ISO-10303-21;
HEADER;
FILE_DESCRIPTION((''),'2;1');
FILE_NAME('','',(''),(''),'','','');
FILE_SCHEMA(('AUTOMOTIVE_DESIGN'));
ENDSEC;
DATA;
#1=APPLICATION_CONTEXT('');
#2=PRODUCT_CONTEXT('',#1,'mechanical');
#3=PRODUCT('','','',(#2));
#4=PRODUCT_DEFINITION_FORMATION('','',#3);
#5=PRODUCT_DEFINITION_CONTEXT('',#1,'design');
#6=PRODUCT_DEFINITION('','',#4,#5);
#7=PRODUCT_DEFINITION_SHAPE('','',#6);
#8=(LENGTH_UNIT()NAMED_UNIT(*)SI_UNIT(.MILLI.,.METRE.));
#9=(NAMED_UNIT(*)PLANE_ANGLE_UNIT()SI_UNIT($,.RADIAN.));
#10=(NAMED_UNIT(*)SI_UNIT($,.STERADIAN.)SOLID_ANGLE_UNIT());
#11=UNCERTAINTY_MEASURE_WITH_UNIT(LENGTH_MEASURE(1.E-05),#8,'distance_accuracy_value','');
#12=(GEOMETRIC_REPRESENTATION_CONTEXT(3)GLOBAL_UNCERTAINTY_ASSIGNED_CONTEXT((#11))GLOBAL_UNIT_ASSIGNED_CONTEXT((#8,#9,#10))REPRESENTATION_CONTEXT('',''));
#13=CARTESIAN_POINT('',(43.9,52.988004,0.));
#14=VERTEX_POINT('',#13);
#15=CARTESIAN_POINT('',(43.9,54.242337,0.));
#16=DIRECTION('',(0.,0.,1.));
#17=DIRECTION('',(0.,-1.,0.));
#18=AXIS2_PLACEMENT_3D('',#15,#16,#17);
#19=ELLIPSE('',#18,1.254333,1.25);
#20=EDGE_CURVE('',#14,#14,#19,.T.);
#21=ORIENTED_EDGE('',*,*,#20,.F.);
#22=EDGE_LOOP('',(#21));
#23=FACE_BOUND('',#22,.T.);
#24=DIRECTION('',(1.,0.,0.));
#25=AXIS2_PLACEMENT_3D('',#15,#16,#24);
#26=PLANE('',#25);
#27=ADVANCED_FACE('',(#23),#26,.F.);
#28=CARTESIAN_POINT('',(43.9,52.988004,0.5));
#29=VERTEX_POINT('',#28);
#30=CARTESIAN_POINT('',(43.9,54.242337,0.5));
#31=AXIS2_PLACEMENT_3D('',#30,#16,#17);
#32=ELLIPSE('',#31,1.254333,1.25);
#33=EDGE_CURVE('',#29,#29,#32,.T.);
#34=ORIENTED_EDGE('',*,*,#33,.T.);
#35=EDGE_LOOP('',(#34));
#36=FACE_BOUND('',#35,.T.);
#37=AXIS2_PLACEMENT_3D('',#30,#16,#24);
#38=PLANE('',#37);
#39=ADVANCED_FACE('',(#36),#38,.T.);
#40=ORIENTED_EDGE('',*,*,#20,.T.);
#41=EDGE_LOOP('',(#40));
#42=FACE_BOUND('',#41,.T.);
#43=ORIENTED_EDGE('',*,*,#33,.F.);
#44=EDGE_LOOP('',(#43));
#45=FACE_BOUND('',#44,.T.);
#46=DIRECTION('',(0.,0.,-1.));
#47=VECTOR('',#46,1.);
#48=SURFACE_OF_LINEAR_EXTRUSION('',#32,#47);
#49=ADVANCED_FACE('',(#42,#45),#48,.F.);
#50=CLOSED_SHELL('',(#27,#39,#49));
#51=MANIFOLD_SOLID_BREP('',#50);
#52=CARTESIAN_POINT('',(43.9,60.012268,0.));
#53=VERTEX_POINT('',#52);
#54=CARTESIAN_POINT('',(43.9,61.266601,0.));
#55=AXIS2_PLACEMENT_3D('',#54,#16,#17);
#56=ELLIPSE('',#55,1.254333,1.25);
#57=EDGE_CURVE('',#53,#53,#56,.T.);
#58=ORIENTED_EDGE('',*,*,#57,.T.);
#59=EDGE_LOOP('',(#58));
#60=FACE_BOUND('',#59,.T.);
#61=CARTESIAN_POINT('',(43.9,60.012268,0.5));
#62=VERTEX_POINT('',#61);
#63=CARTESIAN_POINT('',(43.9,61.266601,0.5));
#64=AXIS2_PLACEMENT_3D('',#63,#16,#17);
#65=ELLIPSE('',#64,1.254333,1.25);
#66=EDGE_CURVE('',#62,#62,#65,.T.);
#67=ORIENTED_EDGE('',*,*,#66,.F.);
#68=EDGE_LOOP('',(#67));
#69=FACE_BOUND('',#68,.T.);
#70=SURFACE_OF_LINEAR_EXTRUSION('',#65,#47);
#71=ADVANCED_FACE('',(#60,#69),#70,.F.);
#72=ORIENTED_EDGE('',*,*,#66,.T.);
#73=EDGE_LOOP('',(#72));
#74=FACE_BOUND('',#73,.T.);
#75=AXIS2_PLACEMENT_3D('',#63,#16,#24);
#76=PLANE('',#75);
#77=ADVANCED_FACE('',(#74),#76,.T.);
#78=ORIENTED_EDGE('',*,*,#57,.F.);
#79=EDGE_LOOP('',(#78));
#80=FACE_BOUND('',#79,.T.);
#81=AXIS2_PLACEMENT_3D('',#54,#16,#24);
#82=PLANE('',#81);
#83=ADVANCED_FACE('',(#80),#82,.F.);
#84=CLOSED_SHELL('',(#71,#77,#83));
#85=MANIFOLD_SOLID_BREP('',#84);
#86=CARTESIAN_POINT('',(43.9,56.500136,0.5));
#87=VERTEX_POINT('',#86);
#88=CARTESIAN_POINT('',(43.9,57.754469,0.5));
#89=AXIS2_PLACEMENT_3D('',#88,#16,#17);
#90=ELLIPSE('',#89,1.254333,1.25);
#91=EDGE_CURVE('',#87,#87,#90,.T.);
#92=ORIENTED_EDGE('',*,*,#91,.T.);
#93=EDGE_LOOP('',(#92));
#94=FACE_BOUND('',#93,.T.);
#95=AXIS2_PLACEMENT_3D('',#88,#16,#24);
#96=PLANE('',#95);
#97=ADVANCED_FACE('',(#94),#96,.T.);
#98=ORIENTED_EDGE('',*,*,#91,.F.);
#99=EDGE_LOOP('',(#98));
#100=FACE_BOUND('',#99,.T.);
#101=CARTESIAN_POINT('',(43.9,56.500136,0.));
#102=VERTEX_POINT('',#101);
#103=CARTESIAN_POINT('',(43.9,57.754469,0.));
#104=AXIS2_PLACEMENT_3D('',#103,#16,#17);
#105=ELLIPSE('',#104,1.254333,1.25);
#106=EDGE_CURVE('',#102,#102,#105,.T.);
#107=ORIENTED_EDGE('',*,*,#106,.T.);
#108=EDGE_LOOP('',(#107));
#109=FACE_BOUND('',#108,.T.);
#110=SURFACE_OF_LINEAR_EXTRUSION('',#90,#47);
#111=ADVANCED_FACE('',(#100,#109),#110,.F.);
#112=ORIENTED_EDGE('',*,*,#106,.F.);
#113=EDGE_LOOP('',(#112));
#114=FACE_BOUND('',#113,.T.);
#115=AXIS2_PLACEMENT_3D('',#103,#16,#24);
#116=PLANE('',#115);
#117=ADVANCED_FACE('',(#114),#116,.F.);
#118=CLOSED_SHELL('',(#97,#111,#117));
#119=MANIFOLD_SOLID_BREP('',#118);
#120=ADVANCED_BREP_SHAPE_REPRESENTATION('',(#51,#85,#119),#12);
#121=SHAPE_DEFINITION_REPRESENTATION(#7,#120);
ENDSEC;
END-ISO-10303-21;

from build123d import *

# Parameters (mm, degrees)
ESQUISSE1_RX         = 1.254332769
ESQUISSE1_RY         = 1.25
BOSS_EXTRU_1_DEPTH   = 0.5
BOSS_EXTRU_1_2_DEPTH = 0.5
BOSS_EXTRU_1_3_DEPTH = 0.5


with BuildPart() as part:
    # Esquisse1 → Boss.-Extru.1 (new body)
    with BuildSketch(Plane.XY):
        with Locations(Location((43.9, 54.242337162), (0, 0, -90))):
            Ellipse(ESQUISSE1_RX, ESQUISSE1_RY)
    extrude(amount=BOSS_EXTRU_1_DEPTH)


with BuildPart() as body_2:
    # Esquisse1 → Boss.-Extru.1 2 (new body)
    with BuildSketch(Plane.XY):
        with Locations(Location((43.9, 57.754468914), (0, 0, -90))):
            Ellipse(ESQUISSE1_RX, ESQUISSE1_RY)
    extrude(amount=BOSS_EXTRU_1_2_DEPTH)


with BuildPart() as body_3:
    # Esquisse1 → Boss.-Extru.1 3 (new body)
    with BuildSketch(Plane.XY):
        with Locations(Location((43.9, 61.266600666), (0, 0, 90))):
            Ellipse(ESQUISSE1_RX, ESQUISSE1_RY)
    extrude(amount=BOSS_EXTRU_1_3_DEPTH)


solid = Compound([part.part, body_2.part, body_3.part])
